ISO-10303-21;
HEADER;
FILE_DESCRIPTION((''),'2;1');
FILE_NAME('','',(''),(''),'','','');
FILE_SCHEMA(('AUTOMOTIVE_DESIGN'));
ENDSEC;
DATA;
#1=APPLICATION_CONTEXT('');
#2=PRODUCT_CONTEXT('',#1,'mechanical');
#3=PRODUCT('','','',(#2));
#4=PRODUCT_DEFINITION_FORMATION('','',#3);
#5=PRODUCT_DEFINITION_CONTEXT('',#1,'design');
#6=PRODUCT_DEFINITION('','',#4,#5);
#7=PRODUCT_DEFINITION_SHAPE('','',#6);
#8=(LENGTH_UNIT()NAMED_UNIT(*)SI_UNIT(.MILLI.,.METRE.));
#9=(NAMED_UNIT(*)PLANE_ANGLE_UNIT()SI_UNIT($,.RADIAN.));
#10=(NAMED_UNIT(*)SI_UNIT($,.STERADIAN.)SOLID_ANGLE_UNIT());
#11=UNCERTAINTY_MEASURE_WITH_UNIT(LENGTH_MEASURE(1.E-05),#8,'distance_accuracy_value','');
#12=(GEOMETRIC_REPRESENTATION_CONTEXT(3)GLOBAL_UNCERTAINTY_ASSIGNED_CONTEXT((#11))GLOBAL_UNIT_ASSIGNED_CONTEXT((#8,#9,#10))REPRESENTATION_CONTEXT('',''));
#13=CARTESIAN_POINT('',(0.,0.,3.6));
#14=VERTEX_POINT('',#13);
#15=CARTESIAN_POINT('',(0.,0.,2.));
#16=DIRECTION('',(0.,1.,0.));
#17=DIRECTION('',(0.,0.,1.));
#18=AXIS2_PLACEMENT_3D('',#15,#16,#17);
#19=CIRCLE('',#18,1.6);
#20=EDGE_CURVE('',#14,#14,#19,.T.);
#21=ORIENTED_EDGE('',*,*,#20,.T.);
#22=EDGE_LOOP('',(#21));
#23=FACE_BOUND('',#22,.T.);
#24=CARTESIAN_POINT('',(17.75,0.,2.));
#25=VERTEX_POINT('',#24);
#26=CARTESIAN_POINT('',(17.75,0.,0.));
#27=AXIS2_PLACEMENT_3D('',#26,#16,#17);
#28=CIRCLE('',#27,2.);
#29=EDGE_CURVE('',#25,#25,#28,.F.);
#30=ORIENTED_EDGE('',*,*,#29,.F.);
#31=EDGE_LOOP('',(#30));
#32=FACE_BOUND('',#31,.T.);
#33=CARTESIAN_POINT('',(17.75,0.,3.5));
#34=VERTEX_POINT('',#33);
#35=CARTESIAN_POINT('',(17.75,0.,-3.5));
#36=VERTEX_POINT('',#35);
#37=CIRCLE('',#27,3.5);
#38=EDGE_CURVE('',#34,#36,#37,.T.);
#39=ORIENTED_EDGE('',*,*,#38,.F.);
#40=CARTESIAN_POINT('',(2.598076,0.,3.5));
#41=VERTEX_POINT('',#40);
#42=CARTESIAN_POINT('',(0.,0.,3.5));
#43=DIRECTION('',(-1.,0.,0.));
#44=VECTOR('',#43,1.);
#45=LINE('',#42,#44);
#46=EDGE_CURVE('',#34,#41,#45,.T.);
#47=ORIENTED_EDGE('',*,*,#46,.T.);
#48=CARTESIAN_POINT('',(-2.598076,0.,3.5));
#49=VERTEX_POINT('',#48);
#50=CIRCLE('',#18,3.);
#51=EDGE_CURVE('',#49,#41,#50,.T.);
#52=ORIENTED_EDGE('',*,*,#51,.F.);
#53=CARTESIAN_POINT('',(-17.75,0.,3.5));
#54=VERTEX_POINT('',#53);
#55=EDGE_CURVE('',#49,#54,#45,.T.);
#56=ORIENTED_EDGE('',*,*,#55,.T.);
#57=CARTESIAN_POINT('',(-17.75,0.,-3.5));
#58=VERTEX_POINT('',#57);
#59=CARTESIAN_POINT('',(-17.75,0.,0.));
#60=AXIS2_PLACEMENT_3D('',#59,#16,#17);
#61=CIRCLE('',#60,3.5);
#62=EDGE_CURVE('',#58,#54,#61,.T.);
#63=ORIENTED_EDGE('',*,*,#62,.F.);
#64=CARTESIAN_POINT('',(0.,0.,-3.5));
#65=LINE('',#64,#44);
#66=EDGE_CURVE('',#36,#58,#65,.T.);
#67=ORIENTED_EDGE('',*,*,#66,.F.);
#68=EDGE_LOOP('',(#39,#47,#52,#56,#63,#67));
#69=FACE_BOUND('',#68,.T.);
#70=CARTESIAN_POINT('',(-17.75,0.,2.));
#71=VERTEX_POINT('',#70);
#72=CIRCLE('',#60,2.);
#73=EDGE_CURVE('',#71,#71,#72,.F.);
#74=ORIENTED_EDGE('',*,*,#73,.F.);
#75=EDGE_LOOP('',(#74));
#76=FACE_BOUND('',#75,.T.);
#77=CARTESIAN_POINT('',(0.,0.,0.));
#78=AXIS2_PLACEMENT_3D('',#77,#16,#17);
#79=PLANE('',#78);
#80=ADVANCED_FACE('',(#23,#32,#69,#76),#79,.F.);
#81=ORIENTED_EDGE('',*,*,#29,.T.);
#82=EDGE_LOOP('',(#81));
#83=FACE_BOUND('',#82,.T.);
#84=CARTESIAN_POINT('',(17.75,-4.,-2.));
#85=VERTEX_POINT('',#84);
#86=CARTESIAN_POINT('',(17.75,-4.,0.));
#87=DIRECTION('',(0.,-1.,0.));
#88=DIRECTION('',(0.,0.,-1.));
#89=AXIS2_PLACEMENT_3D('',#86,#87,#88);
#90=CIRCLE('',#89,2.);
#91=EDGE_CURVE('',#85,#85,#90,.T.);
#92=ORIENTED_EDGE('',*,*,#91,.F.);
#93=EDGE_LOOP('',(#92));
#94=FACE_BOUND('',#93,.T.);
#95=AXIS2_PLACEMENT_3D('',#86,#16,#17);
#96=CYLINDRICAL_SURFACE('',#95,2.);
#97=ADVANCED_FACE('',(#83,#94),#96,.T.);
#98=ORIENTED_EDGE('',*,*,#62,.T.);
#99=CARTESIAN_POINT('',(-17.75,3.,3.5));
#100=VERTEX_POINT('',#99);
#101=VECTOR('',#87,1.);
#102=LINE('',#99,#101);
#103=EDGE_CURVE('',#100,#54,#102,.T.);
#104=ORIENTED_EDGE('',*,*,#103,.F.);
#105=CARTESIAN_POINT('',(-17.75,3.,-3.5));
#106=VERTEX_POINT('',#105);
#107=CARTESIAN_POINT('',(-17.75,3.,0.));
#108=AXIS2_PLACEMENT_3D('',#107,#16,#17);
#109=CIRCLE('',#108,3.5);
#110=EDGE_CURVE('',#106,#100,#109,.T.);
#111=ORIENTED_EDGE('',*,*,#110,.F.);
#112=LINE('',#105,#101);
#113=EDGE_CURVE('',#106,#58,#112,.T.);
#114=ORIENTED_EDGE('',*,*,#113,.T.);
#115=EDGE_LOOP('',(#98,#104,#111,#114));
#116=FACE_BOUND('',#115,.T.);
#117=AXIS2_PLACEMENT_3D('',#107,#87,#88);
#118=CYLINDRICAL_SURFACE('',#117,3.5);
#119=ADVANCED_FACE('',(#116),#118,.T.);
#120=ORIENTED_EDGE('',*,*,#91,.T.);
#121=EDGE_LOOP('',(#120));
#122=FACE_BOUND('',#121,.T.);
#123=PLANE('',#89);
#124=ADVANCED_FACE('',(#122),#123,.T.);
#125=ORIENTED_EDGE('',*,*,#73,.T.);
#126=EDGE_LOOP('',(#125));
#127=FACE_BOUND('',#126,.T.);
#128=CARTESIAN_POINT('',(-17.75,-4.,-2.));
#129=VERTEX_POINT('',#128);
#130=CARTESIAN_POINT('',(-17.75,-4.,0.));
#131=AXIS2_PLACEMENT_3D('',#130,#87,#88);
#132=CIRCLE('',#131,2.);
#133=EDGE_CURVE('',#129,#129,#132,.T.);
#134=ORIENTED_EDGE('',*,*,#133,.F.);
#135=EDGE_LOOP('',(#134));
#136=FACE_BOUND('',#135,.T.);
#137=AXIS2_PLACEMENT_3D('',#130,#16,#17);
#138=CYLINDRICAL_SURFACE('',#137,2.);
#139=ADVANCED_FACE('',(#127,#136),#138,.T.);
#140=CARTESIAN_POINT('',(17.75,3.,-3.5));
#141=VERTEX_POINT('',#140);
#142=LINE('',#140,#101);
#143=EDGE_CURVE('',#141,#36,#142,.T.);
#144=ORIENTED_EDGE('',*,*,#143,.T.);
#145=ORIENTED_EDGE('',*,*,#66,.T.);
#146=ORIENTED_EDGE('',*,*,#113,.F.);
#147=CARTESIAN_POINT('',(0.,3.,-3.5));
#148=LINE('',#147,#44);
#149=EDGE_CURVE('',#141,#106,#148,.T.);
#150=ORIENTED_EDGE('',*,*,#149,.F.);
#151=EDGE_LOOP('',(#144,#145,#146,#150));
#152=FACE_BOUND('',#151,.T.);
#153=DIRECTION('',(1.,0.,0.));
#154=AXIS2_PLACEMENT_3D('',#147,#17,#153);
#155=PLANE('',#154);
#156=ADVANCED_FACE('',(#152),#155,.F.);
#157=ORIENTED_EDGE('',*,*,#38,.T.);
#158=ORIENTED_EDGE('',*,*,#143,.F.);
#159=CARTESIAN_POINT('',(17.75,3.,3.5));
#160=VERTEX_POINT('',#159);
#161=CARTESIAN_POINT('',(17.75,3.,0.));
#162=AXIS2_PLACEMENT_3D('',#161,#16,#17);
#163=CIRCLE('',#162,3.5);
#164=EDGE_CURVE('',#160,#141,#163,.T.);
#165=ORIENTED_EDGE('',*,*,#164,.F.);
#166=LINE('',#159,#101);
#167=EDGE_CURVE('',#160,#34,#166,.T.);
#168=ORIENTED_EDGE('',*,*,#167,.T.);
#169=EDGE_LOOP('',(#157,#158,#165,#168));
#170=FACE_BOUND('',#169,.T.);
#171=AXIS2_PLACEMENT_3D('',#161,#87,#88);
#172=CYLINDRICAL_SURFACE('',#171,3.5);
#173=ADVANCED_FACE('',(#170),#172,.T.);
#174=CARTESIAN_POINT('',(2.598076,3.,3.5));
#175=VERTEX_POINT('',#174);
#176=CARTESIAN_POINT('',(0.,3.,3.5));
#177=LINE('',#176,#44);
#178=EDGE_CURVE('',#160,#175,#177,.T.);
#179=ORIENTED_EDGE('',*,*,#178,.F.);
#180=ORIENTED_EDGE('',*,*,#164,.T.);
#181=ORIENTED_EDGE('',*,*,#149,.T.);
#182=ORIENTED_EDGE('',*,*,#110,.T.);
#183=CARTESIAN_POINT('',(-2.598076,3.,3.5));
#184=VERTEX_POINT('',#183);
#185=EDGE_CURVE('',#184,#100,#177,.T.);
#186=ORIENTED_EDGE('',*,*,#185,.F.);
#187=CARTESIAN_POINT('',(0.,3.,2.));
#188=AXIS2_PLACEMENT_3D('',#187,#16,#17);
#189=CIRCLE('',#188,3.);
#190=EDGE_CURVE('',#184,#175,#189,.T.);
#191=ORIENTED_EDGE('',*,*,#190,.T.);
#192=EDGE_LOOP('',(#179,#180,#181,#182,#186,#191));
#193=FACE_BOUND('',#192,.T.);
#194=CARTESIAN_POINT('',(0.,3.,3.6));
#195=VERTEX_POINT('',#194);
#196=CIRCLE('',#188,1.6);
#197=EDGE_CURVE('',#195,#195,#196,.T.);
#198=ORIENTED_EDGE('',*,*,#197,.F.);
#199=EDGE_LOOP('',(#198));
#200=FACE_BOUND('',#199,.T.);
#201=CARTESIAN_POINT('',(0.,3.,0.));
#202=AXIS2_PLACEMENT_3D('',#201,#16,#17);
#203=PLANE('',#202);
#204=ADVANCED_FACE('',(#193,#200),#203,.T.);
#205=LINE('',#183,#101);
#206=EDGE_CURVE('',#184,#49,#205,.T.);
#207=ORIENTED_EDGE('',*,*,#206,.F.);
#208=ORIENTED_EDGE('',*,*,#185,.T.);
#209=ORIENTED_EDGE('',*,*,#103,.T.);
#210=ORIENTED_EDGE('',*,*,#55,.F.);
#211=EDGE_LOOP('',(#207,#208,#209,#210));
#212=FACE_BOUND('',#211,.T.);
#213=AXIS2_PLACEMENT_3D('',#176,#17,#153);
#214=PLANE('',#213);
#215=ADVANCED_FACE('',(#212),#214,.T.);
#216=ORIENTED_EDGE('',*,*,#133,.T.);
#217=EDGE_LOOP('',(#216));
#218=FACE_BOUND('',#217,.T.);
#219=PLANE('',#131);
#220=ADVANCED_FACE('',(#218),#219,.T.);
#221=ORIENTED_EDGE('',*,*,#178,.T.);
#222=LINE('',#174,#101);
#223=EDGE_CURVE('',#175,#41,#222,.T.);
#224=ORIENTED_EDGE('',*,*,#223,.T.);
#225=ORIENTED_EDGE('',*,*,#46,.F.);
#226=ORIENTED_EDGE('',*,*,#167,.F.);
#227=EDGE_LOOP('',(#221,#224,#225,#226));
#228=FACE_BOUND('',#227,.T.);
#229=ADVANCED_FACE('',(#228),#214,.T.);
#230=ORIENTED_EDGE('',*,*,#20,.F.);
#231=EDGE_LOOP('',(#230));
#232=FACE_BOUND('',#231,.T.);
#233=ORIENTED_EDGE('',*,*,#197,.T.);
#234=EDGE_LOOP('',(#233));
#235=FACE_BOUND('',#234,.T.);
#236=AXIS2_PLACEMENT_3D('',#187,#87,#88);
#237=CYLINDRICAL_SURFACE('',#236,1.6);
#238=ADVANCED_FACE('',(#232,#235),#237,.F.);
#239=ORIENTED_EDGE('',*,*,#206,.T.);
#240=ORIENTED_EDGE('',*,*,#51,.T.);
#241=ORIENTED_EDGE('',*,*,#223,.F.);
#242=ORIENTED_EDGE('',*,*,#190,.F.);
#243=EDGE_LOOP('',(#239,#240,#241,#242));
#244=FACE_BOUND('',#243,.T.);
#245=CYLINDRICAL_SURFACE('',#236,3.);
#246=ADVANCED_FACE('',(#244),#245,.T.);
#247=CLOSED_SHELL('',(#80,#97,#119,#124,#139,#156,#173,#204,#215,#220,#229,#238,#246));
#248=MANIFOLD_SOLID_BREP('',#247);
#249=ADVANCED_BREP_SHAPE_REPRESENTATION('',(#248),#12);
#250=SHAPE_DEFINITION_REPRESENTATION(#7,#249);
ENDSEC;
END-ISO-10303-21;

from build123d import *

# Parameters (mm, degrees)
SKETCH1_R           = 1.6
BOSS_EXTRUDE1_DEPTH = 3
SKETCH2_R           = 2
BOSS_EXTRUDE2_DEPTH = 4


with BuildPart() as part:
    # Sketch1 → Boss-Extrude1 (new body)
    with BuildSketch(Plane(origin=(0, 0, 0), x_dir=(1, 0, 0), z_dir=(0, 1, 0))):
        with BuildLine():
            Line((2.598076211, -3.5), (17.75, -3.5))
            ThreePointArc((17.75, -3.5), (21.25, 0), (17.75, 3.5))
            Line((17.75, 3.5), (-17.75, 3.5))
            ThreePointArc((-17.75, 3.5), (-21.25, 0), (-17.75, -3.5))
            Line((-17.75, -3.5), (-2.598076211, -3.5))
            ThreePointArc((-2.598076211, -3.5), (0, -5), (2.598076211, -3.5))
        make_face()
        with Locations(Location((0, -2, 0), (0, 0, 270))):
            Circle(SKETCH1_R, mode=Mode.SUBTRACT)
    extrude(amount=BOSS_EXTRUDE1_DEPTH)

    # Sketch2 → Boss-Extrude2 (add)
    with BuildSketch(Plane.XZ):
        with Locations(Location((-17.75, 0, 0), (0, 0, 90))):
            Circle(SKETCH2_R)
        with Locations(Location((17.75, 0, 0), (0, 0, 90))):
            Circle(SKETCH2_R)
    extrude(amount=BOSS_EXTRUDE2_DEPTH)


solid = part.part
